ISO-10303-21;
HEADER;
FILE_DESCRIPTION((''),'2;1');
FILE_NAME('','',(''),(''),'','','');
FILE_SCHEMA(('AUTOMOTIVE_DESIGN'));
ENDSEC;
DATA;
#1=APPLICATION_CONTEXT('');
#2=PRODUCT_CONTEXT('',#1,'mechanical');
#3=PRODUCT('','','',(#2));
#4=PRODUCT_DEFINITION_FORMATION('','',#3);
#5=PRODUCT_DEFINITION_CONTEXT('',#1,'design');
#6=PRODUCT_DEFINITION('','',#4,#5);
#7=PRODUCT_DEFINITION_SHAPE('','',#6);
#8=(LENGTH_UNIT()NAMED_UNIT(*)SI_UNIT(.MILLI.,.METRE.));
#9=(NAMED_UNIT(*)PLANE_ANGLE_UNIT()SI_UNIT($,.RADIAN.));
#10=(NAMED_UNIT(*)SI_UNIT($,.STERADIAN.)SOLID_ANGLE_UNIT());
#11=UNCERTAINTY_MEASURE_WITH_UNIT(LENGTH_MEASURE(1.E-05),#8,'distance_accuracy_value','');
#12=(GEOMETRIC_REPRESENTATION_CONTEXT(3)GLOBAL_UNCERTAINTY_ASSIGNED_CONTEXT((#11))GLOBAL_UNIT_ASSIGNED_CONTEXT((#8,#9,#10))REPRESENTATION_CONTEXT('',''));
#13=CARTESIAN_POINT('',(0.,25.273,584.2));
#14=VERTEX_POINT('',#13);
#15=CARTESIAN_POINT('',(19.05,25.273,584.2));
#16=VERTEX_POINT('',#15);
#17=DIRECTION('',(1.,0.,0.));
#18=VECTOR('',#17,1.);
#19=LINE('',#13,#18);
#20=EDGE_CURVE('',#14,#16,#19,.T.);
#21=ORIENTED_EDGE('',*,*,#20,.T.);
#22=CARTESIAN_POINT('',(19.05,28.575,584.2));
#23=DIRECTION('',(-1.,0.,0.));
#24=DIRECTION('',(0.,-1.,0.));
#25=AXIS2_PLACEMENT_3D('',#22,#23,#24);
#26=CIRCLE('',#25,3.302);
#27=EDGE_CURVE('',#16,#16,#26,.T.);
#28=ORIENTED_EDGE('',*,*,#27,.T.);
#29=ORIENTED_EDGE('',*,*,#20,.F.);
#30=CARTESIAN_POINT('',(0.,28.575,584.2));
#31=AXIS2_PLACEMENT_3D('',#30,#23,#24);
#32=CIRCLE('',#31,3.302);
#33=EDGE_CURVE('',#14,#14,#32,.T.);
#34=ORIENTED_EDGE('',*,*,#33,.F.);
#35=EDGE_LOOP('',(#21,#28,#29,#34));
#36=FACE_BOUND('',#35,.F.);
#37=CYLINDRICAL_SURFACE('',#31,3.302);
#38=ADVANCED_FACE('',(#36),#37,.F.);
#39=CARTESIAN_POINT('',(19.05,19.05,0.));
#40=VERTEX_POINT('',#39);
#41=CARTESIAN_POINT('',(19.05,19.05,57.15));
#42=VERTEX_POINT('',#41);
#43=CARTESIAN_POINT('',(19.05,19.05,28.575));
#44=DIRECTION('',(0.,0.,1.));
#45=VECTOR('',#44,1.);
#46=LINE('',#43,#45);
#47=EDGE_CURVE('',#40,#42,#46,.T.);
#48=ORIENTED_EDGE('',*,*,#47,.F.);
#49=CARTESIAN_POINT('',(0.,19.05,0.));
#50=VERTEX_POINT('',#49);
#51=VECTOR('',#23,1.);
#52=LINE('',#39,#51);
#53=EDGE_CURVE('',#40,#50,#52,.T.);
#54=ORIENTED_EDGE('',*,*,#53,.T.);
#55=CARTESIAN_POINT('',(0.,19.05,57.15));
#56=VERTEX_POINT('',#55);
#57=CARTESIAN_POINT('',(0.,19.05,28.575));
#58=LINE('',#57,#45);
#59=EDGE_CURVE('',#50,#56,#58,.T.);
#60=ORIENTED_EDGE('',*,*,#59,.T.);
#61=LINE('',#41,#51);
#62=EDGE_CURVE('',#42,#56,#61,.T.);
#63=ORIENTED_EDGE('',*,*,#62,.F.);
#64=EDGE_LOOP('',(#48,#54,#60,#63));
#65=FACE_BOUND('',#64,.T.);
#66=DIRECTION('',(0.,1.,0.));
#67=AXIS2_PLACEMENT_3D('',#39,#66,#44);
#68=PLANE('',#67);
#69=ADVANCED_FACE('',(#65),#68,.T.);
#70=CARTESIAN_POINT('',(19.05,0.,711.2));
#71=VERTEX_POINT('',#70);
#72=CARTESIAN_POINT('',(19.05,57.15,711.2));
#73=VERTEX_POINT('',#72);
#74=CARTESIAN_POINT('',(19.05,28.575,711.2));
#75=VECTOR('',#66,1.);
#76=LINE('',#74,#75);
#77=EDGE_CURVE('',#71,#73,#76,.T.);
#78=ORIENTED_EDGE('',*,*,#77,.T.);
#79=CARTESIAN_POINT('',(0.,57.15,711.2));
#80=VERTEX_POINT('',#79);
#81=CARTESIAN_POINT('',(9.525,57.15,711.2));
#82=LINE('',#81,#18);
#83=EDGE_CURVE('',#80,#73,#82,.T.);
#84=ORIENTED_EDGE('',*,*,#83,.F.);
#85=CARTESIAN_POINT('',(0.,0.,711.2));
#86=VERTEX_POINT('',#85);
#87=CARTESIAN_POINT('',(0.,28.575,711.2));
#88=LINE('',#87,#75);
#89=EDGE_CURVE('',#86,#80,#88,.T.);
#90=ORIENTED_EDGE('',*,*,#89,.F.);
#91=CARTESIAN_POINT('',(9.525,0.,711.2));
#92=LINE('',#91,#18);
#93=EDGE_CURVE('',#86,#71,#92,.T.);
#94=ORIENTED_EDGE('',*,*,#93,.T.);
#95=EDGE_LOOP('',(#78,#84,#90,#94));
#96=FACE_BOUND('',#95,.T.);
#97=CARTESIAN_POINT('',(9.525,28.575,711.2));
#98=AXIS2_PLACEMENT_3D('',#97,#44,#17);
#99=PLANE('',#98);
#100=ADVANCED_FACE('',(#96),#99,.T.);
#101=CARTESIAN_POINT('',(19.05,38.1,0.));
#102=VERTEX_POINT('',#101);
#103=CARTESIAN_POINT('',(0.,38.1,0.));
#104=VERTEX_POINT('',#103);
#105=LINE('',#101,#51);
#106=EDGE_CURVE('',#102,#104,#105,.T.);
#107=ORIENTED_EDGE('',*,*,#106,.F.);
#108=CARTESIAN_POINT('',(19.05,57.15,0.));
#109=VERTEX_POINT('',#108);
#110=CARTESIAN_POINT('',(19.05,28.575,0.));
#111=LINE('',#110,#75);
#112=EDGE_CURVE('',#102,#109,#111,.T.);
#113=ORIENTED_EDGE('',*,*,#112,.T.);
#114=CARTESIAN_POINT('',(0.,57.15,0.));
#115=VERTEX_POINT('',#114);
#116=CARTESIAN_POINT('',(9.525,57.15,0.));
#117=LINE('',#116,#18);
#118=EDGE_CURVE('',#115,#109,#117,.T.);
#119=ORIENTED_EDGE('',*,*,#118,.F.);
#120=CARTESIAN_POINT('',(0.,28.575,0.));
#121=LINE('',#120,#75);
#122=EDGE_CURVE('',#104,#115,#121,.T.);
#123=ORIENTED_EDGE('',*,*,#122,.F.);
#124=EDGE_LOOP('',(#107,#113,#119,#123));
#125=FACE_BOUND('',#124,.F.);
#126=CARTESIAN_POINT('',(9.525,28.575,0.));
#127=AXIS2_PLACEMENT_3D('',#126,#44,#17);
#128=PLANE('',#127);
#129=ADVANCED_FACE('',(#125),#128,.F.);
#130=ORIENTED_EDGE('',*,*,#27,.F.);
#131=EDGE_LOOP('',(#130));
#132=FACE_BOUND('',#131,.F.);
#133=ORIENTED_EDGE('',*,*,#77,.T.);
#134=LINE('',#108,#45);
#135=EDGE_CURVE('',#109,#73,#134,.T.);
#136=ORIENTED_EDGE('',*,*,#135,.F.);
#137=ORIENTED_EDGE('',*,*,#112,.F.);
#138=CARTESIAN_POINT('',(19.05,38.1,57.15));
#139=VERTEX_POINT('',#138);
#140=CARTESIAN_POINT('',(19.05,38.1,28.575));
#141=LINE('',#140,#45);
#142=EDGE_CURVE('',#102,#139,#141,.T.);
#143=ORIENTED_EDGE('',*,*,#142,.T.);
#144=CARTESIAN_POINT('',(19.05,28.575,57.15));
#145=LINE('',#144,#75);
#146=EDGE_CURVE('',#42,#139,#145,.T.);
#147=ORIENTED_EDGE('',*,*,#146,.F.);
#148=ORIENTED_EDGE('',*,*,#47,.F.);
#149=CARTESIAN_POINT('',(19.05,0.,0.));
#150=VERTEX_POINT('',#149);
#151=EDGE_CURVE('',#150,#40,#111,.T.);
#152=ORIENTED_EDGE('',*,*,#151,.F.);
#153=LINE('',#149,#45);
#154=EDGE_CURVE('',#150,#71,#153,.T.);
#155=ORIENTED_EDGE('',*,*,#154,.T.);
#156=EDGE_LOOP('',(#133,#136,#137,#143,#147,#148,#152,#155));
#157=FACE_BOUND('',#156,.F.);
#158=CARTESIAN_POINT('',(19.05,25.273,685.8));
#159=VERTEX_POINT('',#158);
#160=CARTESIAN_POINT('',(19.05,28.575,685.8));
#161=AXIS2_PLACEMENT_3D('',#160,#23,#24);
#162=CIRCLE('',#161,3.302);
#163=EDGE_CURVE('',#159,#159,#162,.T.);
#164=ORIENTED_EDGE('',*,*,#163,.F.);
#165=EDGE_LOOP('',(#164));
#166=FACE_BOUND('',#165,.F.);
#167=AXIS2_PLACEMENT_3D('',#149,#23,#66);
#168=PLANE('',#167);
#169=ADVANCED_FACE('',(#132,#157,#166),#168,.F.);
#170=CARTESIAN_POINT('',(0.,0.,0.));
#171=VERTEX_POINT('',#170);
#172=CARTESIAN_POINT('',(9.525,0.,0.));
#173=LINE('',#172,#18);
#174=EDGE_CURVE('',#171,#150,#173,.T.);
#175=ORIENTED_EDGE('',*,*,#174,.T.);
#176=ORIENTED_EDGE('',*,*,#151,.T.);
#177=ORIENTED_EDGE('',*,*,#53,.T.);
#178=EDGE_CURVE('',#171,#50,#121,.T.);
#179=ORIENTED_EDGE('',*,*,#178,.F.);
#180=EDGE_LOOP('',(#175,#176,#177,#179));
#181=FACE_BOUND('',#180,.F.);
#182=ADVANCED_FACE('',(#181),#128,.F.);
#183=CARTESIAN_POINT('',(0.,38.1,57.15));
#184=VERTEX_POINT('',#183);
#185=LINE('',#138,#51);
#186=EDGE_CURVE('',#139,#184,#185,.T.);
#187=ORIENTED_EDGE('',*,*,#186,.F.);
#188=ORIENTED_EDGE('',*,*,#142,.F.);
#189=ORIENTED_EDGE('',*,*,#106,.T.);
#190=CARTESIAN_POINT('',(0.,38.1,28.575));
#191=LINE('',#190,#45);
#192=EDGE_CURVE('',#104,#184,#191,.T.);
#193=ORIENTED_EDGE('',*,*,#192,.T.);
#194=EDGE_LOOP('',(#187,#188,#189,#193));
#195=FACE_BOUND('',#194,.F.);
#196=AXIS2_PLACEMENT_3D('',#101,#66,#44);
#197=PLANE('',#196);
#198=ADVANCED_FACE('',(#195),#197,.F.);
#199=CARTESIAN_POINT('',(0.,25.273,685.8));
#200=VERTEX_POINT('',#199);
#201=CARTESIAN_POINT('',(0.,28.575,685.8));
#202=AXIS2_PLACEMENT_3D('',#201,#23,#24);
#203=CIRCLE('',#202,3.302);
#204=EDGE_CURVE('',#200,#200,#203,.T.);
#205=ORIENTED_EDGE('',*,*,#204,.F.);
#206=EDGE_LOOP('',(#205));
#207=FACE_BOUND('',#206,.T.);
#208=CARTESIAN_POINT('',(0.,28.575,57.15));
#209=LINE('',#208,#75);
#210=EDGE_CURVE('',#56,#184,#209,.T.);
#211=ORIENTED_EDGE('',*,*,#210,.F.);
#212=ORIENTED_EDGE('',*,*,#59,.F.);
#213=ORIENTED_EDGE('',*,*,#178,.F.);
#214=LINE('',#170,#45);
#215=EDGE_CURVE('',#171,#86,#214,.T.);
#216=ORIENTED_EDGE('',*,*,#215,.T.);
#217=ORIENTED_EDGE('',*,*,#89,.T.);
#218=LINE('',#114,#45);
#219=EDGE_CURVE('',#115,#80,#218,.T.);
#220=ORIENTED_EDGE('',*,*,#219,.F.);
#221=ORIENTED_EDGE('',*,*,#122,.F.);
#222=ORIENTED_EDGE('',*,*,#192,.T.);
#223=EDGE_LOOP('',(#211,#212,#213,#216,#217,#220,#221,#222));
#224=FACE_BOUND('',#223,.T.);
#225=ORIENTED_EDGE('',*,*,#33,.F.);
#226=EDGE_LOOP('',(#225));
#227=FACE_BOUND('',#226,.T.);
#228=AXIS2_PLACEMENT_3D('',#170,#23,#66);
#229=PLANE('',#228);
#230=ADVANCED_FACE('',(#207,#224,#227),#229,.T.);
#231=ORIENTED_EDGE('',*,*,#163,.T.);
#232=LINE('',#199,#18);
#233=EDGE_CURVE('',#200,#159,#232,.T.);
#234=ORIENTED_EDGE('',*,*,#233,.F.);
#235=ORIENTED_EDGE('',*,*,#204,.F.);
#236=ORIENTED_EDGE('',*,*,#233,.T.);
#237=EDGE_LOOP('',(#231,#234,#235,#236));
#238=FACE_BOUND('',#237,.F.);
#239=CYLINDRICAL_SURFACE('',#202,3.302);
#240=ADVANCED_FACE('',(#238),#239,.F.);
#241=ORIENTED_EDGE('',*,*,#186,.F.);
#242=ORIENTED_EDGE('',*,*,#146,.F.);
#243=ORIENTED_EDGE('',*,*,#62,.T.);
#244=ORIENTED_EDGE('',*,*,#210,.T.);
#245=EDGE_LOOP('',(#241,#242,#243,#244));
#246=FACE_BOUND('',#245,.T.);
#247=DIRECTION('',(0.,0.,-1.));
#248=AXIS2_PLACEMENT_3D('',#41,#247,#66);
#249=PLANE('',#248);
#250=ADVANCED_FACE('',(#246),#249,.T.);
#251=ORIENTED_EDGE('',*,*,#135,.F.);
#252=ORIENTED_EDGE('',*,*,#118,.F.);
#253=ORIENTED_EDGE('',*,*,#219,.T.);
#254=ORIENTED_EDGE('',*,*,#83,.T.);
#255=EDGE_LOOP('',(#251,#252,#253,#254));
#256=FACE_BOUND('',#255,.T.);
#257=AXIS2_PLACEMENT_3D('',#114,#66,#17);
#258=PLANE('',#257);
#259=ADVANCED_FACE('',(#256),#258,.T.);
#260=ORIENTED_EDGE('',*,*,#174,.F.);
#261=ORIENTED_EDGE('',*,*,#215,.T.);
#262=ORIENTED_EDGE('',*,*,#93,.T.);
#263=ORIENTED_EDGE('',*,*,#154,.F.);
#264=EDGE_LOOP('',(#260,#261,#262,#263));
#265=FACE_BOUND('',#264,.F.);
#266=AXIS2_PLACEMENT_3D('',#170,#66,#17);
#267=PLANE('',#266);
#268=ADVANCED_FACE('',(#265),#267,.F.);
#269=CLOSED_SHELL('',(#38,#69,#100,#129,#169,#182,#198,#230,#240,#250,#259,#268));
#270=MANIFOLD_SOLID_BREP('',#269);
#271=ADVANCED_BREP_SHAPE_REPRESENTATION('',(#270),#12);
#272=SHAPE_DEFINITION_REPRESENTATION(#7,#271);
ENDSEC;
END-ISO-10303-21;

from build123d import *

# Parameters (mm, degrees)
F0_W     = 19.05
F0_H     = 57.15
F1_DEPTH = 711.2
F2_W     = 19.05
F2_H     = 57.15
F3_DEPTH = 19.05
F4_R     = 3.302
F5_DEPTH = 19.05


with BuildPart() as f1:
    # F0 (on Top) → F1 (new body)
    with BuildSketch(Plane.XY):
        with Locations((9.525, 28.575)):
            Rectangle(F0_W, F0_H)
    extrude(amount=F1_DEPTH)

    # F2 (on face) → F3 (cut, through all)
    with BuildSketch(Plane.YZ.offset(19.05)):
        with Locations((28.575, 28.575)):
            Rectangle(F2_W, F2_H)
    extrude(amount=-F3_DEPTH, mode=Mode.SUBTRACT)

    # F4 (on face) → F5 (cut, through all)
    with BuildSketch(Plane(origin=(0, 0, 0), x_dir=(0, -1, 0), z_dir=(-1, 0, 0))):
        with Locations((-28.575, 685.8)):
            Circle(F4_R)
        with Locations((-28.575, 584.2)):
            Circle(F4_R)
    extrude(amount=-F5_DEPTH, mode=Mode.SUBTRACT)


solid = f1.part
